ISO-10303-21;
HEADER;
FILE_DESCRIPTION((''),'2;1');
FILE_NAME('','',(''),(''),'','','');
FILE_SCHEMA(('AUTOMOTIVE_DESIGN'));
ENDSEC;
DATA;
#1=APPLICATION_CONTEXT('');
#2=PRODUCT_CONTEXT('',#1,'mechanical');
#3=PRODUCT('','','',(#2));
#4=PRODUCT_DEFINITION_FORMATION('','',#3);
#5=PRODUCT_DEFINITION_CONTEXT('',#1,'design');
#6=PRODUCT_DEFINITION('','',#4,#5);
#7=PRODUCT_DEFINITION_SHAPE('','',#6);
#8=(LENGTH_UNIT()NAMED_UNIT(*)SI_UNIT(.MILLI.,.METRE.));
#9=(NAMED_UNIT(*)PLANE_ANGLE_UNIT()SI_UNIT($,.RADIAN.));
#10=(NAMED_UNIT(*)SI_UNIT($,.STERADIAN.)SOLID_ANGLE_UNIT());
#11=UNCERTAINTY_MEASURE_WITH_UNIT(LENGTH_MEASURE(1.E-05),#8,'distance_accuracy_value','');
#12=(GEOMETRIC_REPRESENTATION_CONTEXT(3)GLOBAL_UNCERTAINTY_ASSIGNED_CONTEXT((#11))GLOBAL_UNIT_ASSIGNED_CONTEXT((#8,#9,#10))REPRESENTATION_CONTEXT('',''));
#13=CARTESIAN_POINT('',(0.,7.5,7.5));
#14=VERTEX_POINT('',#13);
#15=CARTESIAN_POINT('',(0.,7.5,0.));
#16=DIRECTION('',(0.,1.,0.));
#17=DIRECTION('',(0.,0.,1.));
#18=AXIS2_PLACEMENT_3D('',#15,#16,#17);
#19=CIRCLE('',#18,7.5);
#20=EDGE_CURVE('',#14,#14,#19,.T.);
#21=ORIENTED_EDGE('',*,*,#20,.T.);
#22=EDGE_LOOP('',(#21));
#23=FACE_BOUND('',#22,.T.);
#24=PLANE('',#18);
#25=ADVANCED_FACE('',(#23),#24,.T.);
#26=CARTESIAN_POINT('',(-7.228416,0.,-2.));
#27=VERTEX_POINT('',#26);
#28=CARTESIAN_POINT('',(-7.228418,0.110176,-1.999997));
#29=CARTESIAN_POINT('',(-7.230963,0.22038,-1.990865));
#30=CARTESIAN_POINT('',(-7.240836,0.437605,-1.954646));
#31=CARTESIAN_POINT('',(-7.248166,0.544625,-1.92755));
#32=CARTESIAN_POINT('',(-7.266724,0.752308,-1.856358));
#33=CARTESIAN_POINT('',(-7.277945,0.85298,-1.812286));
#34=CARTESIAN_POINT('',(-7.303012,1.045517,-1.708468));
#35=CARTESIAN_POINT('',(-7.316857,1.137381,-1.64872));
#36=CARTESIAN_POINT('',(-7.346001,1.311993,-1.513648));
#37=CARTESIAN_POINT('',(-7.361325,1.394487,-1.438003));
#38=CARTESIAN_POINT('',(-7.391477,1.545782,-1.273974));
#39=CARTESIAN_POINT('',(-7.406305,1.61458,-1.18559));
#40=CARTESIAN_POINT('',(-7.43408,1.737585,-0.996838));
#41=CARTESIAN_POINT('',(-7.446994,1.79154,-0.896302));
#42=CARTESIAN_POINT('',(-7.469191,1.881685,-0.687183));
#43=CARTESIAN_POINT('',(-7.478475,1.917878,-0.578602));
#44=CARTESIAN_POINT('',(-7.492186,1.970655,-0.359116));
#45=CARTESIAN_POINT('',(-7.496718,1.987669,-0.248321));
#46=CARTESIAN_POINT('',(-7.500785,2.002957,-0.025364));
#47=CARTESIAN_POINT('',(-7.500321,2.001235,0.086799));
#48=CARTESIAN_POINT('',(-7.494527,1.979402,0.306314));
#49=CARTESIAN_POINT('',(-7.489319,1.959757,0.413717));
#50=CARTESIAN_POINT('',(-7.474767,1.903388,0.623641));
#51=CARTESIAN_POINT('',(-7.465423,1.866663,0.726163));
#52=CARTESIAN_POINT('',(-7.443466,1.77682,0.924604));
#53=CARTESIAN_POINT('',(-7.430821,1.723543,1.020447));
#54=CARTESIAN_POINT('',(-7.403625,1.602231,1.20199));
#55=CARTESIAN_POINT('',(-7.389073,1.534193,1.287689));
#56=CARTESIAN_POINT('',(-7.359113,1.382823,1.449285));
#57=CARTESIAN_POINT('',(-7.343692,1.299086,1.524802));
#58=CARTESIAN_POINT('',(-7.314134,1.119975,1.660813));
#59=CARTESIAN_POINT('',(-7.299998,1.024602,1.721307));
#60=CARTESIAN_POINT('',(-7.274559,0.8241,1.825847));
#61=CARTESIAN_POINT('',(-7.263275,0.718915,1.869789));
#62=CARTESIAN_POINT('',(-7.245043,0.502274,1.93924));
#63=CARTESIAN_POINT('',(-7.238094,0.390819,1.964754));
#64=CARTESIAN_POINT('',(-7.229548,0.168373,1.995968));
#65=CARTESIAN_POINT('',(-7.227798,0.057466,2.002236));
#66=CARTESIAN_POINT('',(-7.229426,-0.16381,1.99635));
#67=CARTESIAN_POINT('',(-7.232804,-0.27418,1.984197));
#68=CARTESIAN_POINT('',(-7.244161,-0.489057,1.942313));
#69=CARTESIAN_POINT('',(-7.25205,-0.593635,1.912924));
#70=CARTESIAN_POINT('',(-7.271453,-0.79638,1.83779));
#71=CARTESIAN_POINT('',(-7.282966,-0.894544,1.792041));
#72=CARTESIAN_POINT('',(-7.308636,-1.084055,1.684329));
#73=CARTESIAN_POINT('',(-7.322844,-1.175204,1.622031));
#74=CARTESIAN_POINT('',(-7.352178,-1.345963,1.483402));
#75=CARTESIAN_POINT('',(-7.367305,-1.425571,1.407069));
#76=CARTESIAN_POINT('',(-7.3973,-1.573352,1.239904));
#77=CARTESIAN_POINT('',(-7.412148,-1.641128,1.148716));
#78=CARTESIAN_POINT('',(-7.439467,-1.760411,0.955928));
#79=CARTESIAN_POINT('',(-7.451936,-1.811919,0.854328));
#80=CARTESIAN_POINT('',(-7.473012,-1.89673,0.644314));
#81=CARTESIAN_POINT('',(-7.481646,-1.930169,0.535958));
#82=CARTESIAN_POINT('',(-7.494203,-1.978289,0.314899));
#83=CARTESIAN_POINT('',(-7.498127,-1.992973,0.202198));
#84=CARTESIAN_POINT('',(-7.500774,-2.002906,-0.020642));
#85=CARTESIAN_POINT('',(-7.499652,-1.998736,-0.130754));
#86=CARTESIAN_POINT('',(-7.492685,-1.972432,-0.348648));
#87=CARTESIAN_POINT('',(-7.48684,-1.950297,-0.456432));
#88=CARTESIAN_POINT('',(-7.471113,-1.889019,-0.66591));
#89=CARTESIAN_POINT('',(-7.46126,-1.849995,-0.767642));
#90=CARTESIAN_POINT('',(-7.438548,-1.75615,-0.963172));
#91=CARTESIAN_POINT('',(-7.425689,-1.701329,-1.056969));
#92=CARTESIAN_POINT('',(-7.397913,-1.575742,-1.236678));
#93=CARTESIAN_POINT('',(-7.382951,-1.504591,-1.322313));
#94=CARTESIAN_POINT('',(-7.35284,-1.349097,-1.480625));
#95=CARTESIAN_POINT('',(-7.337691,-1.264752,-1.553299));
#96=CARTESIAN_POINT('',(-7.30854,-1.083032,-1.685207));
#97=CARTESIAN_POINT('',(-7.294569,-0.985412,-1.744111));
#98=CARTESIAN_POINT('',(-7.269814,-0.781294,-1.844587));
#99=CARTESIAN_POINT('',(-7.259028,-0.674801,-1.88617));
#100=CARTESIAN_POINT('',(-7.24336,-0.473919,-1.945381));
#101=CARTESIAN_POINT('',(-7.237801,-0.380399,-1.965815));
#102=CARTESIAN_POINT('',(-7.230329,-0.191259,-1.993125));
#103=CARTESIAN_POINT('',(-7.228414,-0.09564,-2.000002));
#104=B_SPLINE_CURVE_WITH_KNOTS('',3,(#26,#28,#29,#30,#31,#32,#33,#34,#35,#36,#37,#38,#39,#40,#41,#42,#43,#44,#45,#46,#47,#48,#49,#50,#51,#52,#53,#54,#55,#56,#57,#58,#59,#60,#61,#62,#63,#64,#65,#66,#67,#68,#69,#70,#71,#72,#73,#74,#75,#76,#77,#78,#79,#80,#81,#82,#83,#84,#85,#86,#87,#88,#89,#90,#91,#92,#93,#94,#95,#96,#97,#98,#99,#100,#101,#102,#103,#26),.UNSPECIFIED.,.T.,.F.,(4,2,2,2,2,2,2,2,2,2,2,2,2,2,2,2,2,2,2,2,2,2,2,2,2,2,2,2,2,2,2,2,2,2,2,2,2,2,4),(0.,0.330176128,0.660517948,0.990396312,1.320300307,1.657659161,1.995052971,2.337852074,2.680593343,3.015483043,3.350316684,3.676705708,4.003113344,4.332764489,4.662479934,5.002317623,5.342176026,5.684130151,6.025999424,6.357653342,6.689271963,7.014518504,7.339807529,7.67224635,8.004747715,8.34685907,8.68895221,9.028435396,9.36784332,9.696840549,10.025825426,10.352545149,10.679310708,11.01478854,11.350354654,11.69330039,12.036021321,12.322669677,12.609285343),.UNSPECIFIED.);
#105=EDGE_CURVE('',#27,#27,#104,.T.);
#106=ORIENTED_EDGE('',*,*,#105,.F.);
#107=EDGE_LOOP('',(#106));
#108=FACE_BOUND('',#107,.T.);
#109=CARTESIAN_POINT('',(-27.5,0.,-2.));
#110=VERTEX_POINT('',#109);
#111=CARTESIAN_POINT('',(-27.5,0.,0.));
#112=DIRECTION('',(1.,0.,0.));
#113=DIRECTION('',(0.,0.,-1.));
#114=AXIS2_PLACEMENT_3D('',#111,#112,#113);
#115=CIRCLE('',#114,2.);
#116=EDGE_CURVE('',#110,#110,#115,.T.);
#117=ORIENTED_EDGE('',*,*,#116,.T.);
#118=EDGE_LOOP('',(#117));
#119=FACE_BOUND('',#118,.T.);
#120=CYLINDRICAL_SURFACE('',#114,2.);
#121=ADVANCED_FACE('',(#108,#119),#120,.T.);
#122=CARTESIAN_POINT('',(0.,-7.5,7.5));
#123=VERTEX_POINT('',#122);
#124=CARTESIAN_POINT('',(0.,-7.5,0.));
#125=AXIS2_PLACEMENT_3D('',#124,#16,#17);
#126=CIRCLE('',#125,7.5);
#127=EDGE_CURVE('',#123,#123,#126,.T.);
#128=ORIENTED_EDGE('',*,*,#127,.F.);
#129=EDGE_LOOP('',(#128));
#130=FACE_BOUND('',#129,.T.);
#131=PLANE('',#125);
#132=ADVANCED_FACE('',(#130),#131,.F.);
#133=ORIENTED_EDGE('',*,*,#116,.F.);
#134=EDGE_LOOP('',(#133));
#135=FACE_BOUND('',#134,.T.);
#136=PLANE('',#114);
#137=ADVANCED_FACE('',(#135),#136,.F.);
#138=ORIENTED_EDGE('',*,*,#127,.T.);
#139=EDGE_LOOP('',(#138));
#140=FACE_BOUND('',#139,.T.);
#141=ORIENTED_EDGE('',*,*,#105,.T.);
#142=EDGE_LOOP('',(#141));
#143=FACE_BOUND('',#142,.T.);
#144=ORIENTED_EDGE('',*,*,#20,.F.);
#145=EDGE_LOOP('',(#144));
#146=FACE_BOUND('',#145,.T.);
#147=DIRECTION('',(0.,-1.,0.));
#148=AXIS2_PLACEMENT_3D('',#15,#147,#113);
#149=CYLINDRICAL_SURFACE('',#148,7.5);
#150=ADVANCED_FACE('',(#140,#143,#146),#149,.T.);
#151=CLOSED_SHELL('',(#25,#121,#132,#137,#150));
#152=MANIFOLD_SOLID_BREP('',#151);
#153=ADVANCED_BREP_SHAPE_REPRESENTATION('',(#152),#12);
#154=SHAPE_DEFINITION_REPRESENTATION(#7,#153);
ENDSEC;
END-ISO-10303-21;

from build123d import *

# Parameters (mm, degrees)
SKETCH1_R           = 7.5
BOSS_EXTRUDE1_DEPTH = 7.5
SKETCH2_R           = 2
BOSS_EXTRUDE2_DEPTH = 27.5


with BuildPart() as part:
    # Sketch1 → Boss-Extrude1 (new, symmetric)
    with BuildSketch(Plane(origin=(0, 0, 0), x_dir=(1, 0, 0), z_dir=(0, 1, 0))):
        with Locations(Location((0, 0, 0), (0, 0, 270))):
            Circle(SKETCH1_R)
    extrude(amount=BOSS_EXTRUDE1_DEPTH, both=True)

    # Sketch2 → Boss-Extrude2 (add)
    with BuildSketch(Plane(origin=(0, 0, 0), x_dir=(0, 0, -1), z_dir=(1, 0, 0))):
        Circle(SKETCH2_R)
    extrude(amount=-BOSS_EXTRUDE2_DEPTH)


solid = part.part
